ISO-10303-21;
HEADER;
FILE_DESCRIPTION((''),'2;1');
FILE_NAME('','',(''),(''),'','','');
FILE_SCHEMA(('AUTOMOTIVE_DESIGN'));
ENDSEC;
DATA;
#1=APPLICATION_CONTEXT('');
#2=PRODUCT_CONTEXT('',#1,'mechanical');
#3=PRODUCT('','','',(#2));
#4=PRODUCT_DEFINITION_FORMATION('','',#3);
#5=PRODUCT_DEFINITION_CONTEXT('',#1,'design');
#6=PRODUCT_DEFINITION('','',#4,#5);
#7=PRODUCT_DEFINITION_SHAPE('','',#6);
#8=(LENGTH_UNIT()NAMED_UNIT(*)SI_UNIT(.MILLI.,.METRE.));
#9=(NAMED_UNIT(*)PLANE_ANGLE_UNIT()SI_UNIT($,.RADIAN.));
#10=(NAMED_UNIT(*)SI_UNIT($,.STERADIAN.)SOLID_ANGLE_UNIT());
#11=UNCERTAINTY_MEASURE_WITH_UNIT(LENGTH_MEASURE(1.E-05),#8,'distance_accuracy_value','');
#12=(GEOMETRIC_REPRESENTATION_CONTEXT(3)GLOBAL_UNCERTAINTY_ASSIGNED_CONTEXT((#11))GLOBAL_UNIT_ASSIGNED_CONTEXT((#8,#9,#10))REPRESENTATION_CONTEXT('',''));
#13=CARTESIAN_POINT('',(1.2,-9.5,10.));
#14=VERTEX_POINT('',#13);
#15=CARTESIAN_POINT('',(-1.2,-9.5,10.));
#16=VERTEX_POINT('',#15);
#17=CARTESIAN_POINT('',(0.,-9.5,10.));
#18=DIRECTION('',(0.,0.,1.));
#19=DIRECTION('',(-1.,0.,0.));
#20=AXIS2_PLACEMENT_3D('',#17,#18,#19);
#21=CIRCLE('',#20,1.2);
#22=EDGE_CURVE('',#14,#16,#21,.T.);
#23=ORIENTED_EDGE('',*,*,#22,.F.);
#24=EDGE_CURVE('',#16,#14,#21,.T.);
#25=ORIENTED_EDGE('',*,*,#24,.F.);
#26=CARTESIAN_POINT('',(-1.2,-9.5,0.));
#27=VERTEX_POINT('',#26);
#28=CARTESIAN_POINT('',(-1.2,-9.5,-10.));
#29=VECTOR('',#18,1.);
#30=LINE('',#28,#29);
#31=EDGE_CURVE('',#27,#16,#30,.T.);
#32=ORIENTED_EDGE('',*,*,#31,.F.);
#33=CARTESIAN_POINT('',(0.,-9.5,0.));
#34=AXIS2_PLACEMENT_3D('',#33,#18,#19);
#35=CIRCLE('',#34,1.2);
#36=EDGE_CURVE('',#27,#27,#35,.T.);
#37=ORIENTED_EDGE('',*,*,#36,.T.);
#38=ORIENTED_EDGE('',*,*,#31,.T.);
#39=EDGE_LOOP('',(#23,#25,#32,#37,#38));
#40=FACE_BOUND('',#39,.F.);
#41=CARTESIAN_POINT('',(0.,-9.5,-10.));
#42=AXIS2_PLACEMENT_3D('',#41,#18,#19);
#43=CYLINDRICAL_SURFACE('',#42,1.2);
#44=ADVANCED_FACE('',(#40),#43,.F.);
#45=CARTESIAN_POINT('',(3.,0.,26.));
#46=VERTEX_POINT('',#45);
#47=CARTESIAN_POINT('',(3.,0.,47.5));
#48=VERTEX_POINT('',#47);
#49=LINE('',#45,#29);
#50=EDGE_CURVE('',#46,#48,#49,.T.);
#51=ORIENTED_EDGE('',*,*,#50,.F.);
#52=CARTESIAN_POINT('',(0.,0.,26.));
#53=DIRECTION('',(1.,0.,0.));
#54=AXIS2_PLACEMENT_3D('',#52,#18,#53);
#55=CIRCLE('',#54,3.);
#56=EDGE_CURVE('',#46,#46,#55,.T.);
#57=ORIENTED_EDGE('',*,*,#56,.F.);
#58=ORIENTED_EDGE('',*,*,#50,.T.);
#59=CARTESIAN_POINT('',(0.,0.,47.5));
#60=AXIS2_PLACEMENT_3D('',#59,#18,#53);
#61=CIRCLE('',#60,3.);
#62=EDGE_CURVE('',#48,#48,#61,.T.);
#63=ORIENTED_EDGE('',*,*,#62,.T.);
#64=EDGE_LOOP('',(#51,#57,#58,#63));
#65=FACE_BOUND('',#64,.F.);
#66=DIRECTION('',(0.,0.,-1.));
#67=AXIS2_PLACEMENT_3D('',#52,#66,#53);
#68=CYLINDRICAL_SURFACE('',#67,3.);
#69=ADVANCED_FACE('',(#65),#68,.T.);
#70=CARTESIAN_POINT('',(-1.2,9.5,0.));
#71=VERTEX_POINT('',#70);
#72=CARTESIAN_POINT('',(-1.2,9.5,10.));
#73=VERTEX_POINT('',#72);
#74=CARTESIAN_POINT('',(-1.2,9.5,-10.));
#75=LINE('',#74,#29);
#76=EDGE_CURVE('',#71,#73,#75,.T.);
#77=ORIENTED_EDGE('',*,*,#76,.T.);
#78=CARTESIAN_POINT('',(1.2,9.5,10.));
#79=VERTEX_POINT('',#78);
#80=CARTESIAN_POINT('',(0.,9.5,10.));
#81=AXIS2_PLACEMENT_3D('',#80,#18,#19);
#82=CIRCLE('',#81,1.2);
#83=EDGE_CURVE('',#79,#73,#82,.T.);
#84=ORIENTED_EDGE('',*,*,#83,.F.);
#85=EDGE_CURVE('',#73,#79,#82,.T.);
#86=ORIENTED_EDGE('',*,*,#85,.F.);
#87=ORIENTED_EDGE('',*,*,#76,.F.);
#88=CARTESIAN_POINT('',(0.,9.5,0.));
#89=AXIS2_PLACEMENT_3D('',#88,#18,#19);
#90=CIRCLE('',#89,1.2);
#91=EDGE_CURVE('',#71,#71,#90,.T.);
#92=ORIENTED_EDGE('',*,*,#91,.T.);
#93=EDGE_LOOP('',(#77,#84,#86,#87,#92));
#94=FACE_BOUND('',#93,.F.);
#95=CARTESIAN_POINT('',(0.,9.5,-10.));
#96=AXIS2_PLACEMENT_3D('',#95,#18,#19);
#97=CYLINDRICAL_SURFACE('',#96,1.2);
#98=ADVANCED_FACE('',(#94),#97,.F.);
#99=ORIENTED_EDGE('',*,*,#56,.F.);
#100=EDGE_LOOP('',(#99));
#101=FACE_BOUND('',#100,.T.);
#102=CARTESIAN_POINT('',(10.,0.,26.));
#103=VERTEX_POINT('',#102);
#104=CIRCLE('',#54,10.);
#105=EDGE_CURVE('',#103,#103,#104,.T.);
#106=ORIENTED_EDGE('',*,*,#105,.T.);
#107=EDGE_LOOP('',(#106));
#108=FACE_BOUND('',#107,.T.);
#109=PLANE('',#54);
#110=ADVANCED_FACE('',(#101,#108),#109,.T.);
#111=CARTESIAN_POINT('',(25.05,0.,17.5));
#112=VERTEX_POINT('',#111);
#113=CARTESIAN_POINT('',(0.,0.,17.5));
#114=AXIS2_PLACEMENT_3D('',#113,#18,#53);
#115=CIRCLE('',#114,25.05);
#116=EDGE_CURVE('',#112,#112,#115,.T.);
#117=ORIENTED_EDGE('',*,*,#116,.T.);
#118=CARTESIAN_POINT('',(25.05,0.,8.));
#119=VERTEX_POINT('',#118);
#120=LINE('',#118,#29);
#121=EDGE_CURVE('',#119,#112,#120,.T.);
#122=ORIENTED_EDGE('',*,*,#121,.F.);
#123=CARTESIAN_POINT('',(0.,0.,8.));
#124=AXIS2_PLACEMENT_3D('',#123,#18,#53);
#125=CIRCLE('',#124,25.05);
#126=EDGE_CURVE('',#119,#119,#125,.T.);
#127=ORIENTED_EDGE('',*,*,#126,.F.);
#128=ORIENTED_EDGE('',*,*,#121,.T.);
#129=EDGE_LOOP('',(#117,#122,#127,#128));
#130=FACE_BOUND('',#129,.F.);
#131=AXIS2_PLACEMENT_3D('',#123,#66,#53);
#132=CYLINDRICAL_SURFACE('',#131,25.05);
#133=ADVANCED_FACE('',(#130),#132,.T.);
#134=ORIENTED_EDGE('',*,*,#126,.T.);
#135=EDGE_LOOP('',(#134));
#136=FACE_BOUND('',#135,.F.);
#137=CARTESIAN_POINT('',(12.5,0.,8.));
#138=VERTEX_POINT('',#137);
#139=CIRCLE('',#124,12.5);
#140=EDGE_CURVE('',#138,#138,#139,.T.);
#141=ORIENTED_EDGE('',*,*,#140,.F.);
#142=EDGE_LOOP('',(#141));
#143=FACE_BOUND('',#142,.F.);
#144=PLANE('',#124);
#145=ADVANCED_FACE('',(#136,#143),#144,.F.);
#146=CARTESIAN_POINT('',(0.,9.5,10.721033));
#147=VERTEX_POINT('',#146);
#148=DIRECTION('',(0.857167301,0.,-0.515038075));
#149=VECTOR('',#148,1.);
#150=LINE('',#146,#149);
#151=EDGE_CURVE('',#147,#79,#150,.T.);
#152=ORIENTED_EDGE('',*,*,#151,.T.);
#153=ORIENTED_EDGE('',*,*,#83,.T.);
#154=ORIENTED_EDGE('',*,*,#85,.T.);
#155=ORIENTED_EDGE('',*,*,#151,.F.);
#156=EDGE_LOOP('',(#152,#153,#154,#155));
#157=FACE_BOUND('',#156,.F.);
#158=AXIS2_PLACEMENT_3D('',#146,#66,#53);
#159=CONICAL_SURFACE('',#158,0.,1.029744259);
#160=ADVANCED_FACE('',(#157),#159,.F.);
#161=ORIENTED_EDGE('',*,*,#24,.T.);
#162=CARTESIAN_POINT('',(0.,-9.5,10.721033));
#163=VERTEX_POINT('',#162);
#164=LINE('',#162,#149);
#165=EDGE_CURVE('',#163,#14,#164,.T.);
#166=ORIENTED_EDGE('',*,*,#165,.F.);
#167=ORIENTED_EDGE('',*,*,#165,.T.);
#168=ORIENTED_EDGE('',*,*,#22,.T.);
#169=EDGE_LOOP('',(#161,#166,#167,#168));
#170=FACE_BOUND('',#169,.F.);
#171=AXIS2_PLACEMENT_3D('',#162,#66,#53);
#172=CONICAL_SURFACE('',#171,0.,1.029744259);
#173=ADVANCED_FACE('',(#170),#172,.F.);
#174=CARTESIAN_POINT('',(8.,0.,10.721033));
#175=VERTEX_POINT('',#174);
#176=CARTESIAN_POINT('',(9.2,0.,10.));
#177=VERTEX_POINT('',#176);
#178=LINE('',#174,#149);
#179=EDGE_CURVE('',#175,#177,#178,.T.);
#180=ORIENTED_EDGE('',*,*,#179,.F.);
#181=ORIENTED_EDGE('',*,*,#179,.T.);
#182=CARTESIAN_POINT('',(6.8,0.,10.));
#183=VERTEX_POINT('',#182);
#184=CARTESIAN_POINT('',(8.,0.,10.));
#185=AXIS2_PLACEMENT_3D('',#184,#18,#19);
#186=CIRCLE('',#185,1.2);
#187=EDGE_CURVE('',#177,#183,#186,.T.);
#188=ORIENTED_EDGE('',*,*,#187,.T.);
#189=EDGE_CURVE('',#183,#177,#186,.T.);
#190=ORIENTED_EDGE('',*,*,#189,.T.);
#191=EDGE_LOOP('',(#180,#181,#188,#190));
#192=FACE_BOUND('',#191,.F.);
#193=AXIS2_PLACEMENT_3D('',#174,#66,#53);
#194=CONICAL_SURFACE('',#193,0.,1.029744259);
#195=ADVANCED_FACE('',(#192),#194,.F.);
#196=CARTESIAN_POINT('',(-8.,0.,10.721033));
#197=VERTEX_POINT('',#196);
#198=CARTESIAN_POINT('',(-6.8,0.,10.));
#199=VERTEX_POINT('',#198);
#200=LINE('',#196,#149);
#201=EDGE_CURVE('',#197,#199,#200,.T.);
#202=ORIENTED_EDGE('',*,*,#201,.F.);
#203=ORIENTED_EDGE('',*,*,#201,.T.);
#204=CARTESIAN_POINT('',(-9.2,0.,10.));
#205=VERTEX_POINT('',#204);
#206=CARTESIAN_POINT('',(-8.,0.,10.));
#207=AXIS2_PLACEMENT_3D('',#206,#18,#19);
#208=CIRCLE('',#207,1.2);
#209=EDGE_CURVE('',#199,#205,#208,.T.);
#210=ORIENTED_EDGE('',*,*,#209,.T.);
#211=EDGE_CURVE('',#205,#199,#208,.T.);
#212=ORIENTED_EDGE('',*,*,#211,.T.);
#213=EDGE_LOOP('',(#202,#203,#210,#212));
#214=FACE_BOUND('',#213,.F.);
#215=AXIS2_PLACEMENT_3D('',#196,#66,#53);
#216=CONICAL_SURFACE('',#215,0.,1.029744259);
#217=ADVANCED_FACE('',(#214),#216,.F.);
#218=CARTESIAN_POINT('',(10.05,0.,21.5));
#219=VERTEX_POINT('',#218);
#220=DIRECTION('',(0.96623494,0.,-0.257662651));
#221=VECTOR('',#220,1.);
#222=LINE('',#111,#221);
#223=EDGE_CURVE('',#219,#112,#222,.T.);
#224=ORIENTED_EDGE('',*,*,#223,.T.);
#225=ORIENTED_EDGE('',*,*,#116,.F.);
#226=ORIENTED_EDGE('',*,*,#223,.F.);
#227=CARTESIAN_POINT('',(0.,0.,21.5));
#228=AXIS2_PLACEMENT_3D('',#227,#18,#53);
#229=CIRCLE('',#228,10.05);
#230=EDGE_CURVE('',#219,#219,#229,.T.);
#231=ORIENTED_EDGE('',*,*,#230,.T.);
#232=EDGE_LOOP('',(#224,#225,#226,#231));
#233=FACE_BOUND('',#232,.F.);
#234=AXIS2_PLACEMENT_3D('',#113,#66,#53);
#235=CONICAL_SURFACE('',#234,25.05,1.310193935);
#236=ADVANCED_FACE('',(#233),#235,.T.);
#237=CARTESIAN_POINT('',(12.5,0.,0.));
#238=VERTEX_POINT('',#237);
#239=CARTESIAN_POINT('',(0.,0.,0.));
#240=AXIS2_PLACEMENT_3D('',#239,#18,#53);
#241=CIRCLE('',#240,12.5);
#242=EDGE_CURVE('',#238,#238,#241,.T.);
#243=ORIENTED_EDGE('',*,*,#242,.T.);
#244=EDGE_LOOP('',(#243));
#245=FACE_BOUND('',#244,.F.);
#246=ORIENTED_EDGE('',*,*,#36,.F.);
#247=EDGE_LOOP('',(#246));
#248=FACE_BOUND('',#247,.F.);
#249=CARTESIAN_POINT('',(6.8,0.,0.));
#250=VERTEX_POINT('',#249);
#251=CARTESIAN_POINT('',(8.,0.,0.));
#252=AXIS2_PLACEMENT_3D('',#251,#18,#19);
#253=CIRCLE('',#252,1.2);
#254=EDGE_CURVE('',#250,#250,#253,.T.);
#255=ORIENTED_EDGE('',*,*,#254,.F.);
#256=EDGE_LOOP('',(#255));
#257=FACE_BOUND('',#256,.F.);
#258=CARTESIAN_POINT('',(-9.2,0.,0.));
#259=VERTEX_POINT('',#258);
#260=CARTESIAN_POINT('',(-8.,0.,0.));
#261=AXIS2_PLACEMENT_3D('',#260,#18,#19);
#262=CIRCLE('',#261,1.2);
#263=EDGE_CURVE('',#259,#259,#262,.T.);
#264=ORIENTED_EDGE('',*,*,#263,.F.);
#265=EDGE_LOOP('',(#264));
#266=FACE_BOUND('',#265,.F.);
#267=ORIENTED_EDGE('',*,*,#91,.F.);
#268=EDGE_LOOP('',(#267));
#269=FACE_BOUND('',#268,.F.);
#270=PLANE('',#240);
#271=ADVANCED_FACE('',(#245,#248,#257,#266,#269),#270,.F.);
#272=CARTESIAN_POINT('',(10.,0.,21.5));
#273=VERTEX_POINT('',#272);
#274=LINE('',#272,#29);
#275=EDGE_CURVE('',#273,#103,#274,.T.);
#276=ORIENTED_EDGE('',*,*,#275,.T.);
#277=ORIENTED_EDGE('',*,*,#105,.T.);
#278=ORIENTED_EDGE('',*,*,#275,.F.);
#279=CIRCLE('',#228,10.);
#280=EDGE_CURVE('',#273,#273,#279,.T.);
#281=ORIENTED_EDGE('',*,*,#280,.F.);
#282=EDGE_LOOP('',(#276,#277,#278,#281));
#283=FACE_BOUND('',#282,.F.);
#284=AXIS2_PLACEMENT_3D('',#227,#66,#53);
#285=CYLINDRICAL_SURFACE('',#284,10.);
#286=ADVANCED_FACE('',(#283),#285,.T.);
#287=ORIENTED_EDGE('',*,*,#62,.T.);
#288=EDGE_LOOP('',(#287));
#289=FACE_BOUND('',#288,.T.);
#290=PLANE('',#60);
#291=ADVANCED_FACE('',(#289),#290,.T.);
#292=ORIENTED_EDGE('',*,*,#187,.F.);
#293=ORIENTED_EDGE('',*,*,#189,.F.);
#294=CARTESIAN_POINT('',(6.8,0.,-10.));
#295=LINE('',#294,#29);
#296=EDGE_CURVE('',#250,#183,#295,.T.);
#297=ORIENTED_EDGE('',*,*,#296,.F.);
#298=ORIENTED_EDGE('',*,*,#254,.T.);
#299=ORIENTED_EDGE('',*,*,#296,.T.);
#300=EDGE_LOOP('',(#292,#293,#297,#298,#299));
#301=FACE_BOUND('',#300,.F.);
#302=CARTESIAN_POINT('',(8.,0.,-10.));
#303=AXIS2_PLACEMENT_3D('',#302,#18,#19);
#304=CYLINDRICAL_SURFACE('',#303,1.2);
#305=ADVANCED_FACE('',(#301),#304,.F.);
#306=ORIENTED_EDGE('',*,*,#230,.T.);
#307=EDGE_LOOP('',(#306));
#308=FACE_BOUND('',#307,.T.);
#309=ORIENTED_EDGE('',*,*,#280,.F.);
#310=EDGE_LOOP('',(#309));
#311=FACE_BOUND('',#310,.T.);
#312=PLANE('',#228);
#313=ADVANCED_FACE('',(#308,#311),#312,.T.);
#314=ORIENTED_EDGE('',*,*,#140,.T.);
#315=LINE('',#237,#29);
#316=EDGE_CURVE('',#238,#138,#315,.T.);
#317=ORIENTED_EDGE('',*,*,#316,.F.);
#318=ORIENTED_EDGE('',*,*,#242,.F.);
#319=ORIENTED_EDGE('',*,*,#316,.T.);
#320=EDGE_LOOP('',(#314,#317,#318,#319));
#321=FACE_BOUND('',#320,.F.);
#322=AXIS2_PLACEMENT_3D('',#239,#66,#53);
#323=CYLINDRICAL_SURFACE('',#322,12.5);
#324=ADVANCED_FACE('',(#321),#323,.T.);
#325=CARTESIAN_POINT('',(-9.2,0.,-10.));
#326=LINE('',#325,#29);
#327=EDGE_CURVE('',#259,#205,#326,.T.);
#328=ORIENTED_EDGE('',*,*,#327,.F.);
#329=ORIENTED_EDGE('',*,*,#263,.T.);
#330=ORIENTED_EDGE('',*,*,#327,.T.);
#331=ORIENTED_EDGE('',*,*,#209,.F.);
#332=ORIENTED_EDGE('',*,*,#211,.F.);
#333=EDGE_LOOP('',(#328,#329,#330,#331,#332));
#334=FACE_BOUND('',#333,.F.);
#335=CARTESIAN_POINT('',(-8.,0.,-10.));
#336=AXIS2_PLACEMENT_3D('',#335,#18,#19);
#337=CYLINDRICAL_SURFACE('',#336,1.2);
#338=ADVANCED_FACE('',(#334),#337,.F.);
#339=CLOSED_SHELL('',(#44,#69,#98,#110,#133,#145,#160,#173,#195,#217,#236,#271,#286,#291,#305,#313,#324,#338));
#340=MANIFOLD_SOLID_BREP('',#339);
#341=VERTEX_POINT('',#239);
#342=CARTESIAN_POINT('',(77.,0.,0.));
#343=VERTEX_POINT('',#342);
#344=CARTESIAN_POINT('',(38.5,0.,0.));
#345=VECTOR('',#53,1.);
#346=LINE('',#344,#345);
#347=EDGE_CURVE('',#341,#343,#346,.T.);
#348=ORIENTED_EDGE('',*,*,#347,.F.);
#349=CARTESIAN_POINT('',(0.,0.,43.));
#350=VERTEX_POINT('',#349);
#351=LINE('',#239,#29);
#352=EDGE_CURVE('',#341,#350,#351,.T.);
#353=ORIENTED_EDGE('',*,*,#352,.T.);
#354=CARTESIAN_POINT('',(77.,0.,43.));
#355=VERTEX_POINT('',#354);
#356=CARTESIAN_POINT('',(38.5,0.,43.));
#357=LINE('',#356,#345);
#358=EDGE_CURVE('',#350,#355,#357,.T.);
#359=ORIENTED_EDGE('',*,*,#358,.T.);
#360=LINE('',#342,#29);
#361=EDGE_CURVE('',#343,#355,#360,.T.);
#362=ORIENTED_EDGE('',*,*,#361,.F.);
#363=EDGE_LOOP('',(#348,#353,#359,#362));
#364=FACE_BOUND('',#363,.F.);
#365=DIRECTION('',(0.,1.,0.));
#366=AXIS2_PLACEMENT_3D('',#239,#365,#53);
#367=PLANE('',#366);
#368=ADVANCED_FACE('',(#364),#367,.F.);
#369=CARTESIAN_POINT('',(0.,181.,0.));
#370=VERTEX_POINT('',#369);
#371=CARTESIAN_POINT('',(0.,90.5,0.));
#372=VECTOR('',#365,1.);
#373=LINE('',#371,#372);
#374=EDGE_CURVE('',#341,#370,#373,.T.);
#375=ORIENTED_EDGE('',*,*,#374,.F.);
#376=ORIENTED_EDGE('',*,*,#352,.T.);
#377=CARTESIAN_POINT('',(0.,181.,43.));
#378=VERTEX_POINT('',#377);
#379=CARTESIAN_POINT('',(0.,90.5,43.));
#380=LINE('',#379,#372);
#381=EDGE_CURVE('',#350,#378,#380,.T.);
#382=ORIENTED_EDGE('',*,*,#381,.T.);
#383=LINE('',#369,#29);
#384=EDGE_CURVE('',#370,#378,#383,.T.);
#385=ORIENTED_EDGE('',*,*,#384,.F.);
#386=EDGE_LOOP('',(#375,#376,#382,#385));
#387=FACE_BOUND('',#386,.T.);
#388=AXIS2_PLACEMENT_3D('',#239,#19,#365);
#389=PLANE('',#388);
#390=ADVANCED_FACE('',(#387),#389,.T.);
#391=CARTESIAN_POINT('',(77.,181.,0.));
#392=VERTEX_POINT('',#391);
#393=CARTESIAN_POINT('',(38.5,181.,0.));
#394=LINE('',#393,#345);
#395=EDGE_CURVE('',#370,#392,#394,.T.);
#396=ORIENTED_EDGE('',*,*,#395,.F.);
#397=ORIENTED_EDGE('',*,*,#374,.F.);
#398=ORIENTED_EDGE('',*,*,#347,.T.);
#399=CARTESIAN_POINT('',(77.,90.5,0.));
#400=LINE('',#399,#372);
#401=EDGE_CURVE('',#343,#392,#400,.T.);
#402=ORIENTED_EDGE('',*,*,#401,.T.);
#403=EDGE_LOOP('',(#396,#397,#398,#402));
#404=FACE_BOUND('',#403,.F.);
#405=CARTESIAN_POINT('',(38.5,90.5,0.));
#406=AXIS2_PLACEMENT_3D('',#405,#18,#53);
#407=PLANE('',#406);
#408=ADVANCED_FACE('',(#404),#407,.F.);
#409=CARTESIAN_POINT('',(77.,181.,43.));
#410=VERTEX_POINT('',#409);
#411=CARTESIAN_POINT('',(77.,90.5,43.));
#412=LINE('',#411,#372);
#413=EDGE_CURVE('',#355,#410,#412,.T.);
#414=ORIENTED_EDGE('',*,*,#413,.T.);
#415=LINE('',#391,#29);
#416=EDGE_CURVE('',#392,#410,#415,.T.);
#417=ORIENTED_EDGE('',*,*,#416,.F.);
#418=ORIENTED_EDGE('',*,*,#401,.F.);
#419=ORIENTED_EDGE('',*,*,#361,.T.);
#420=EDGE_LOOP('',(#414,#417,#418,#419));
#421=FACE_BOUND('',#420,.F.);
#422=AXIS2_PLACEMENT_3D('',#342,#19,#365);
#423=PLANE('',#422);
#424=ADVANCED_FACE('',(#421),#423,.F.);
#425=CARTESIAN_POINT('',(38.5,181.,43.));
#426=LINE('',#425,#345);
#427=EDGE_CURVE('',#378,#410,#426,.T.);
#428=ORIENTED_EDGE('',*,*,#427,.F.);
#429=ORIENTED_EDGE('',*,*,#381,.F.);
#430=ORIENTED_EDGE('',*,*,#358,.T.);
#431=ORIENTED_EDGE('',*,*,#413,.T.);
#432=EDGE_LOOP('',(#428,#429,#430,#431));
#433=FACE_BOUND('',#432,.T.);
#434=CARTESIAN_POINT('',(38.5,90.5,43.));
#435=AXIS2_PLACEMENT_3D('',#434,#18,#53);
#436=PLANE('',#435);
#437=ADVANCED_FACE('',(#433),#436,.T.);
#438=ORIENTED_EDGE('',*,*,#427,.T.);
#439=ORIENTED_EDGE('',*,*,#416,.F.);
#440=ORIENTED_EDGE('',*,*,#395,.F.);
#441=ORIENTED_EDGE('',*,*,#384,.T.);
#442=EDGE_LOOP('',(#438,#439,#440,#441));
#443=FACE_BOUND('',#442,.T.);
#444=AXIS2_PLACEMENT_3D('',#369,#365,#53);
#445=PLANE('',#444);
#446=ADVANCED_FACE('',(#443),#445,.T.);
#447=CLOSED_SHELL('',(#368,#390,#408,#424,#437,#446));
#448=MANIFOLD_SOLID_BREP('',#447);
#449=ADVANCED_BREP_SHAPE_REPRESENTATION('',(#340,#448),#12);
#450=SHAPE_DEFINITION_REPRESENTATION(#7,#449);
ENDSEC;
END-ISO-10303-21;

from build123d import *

# Parameters (mm, degrees)
F0_R      = 12.5
F1_DEPTH  = 8
F2_R      = 25.05
F3_DEPTH  = 13.5
F4_SIZE2  = 4
F4_SIZE   = 15
F6_D      = 2.4
F6_DEPTH  = 10
F6_TIP    = 0.7210327428
F7_R      = 10
F8_DEPTH  = 4.5
F9_R      = 3
F10_DEPTH = 21.5
F11_W     = 77
F11_H     = 181
F12_DEPTH = 43


with BuildPart() as f1:
    # F0 (on Top) → F1 (new body)
    with BuildSketch(Plane.XY):
        Circle(F0_R)
    extrude(amount=F1_DEPTH)

    # F2 (on face) → F3 (join)
    with BuildSketch(Plane.XY.offset(8)):
        Circle(F2_R)
    extrude(amount=F3_DEPTH)

    # F4
    f4_edges = [f1.edges().sort_by_distance(p)[0] for p in [
        (-25.05, 0, 21.5),
    ]]
    f4_side = f1.faces().sort_by_distance((0, 0, 21.5))[0]
    chamfer(f4_edges, length=F4_SIZE, length2=F4_SIZE2, reference=f4_side)

    # F6
    with Locations(Plane(origin=(0, 0, 0), x_dir=(1, 0, 0), z_dir=(0, 0, -1))):
        with Locations((0, 9.5), (0, -9.5), (8, 0), (-8, 0)):
            Hole(F6_D / 2, depth=F6_DEPTH)
            with Locations((0, 0, -(F6_DEPTH + F6_TIP / 2))):  # 118° drill point
                Cone(0, F6_D / 2, F6_TIP, mode=Mode.SUBTRACT)

    # F7 (on face) → F8 (join)
    with BuildSketch(Plane.XY.offset(21.5)):
        Circle(F7_R)
    extrude(amount=F8_DEPTH)

    # F9 (on face) → F10 (join)
    with BuildSketch(Plane.XY.offset(26)):
        Circle(F9_R)
    extrude(amount=F10_DEPTH)


with BuildPart() as f12:
    # F11 (on Top) → F12 (new body)
    with BuildSketch(Plane.XY):
        with Locations((38.5, 90.5)):
            Rectangle(F11_W, F11_H)
    extrude(amount=F12_DEPTH)


solid = Compound([f1.part, f12.part])
